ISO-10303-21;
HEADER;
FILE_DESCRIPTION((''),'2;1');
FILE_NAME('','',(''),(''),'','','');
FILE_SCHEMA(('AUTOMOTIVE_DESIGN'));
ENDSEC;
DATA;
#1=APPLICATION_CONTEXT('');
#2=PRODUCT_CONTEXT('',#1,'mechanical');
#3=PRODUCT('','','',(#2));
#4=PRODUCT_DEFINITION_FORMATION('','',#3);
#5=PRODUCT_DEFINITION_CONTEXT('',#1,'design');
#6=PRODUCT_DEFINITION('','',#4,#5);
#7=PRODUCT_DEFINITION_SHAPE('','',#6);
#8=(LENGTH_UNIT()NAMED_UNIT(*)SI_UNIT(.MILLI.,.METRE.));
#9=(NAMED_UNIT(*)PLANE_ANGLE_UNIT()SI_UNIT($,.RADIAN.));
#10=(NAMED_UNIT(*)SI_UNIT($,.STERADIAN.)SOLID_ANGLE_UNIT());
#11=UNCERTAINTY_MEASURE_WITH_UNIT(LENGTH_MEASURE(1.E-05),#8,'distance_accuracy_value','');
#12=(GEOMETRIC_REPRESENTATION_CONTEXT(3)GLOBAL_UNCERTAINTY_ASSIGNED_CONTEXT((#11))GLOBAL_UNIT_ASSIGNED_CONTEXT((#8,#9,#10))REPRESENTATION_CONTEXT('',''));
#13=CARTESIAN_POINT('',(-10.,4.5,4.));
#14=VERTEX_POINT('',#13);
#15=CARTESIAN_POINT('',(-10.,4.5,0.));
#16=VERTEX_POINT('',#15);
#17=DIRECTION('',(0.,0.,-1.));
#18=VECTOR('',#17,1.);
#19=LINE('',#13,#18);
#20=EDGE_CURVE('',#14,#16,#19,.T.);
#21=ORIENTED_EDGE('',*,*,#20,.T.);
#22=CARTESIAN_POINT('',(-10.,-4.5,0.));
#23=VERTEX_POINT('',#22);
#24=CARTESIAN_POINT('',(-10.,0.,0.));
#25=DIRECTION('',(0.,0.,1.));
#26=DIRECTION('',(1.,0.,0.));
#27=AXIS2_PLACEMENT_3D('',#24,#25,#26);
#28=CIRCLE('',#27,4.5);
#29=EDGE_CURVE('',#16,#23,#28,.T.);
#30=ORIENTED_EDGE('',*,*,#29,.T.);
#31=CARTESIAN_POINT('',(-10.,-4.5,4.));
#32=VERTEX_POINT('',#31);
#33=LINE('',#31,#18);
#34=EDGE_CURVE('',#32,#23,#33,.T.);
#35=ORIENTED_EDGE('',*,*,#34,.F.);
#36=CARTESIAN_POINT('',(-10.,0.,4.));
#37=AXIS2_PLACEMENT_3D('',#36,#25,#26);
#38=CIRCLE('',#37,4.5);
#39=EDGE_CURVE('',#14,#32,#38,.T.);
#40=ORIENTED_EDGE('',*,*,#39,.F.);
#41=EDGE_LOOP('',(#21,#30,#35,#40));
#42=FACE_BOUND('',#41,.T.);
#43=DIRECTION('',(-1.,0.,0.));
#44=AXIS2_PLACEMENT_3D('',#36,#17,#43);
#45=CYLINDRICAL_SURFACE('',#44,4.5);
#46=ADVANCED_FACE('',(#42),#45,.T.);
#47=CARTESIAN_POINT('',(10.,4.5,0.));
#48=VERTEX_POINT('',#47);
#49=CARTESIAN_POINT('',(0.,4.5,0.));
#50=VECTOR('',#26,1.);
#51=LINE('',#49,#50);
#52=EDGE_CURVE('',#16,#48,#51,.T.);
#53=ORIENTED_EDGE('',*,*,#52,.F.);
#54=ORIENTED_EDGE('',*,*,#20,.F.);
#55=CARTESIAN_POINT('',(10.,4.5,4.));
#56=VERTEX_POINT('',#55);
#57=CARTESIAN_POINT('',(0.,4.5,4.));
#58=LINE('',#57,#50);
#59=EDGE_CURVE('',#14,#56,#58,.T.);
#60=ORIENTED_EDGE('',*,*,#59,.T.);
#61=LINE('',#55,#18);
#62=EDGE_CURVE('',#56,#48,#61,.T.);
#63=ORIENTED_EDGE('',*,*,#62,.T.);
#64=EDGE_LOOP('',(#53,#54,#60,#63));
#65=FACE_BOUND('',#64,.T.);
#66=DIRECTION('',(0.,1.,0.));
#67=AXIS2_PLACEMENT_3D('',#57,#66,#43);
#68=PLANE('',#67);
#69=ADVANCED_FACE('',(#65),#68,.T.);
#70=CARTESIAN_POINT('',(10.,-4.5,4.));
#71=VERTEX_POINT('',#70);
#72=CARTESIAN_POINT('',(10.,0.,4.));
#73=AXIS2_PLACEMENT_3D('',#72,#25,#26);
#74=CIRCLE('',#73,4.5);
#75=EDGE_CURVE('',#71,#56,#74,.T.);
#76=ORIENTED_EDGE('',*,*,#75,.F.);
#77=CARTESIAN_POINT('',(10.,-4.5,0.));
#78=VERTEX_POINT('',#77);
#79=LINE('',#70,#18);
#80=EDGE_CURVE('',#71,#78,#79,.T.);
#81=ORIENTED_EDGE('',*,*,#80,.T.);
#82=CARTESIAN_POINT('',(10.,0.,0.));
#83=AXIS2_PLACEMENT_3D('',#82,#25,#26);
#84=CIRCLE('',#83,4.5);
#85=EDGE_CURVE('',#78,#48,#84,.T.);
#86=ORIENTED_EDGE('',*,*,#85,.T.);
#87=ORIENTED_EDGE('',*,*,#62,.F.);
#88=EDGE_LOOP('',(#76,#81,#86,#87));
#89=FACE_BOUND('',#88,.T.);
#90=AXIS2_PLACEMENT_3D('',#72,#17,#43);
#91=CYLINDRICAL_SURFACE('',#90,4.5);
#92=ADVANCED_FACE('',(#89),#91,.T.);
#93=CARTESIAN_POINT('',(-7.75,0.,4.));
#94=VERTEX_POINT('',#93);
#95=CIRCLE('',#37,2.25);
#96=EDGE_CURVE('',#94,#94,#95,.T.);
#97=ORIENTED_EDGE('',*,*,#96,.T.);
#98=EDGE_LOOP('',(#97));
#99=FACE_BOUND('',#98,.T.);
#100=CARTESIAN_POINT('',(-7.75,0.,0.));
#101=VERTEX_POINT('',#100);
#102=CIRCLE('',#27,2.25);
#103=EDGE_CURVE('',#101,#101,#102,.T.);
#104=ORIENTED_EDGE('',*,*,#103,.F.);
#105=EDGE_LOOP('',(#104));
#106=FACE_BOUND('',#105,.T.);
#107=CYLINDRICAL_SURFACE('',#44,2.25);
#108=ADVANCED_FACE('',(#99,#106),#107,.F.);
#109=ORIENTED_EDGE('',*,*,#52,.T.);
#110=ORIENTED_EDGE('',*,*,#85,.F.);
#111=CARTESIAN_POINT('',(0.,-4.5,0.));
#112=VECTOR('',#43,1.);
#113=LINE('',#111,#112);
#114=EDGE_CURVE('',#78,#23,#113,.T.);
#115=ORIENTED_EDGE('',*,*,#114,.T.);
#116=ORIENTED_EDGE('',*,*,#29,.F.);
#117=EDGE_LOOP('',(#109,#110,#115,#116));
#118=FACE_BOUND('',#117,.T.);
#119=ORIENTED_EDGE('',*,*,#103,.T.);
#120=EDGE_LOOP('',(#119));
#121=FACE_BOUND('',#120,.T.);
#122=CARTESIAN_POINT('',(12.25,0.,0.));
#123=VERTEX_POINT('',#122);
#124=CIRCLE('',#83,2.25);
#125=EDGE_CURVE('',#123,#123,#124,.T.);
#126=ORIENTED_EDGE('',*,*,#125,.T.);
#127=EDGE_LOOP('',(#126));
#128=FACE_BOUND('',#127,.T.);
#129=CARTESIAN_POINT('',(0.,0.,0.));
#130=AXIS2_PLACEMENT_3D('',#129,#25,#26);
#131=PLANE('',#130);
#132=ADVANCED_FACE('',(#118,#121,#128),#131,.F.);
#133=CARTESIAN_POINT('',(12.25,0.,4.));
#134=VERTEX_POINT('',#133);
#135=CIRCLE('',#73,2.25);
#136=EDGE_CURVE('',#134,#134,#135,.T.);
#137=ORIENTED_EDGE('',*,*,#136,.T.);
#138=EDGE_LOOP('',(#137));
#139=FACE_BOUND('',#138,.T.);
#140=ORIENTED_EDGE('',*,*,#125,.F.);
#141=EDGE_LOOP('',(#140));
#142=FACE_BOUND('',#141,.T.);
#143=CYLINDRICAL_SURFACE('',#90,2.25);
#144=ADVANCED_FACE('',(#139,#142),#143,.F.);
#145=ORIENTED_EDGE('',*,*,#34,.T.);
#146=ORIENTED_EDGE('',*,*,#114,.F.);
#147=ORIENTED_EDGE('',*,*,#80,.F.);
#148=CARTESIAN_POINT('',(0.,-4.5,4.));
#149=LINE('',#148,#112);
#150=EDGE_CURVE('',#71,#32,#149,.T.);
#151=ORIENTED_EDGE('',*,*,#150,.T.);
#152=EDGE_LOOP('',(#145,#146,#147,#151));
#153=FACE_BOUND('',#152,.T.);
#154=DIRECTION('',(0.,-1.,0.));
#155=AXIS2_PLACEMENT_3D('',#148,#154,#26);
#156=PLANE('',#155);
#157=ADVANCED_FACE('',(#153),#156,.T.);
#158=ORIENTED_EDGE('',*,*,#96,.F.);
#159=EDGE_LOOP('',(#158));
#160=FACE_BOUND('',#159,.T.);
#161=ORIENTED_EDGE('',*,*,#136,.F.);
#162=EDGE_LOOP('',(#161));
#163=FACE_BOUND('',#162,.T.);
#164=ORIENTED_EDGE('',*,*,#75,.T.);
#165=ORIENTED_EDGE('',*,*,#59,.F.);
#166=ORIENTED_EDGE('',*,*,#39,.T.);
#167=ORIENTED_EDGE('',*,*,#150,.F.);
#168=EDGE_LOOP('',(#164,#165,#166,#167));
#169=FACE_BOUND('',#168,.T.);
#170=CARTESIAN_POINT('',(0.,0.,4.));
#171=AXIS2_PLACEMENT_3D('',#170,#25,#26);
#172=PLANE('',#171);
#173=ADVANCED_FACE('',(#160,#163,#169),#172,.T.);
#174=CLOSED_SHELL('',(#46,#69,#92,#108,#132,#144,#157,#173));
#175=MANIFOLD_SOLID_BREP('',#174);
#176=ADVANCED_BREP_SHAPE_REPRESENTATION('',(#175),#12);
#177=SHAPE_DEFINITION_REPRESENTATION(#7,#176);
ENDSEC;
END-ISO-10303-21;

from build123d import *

# Parameters (mm, degrees)
SKETCH1_R           = 4.5
SKETCH1_R_2         = 2.25
BOSS_EXTRUDE1_DEPTH = 4


with BuildPart() as part:
    # Sketch1 → Boss-Extrude1 (new body)
    with BuildSketch(Plane.XY):
        with Locations((-10, 0)):
            Circle(SKETCH1_R)
        with Locations((-10, 0)):
            Circle(SKETCH1_R_2, mode=Mode.SUBTRACT)
        with BuildLine():
            Line((10, 4.5), (-10, 4.5))
            ThreePointArc((-10, 4.5), (-6.818019485, 3.181980515), (-5.5, 0))
            ThreePointArc((-5.5, 0), (-6.818019485, -3.181980515), (-10, -4.5))
            Line((-10, -4.5), (10, -4.5))
            ThreePointArc((10, -4.5), (5.5, 0), (10, 4.5))
        make_face()
        with Locations((10, 0)):
            Circle(SKETCH1_R)
        with Locations((10, 0)):
            Circle(SKETCH1_R_2, mode=Mode.SUBTRACT)
    extrude(amount=BOSS_EXTRUDE1_DEPTH)


solid = part.part
